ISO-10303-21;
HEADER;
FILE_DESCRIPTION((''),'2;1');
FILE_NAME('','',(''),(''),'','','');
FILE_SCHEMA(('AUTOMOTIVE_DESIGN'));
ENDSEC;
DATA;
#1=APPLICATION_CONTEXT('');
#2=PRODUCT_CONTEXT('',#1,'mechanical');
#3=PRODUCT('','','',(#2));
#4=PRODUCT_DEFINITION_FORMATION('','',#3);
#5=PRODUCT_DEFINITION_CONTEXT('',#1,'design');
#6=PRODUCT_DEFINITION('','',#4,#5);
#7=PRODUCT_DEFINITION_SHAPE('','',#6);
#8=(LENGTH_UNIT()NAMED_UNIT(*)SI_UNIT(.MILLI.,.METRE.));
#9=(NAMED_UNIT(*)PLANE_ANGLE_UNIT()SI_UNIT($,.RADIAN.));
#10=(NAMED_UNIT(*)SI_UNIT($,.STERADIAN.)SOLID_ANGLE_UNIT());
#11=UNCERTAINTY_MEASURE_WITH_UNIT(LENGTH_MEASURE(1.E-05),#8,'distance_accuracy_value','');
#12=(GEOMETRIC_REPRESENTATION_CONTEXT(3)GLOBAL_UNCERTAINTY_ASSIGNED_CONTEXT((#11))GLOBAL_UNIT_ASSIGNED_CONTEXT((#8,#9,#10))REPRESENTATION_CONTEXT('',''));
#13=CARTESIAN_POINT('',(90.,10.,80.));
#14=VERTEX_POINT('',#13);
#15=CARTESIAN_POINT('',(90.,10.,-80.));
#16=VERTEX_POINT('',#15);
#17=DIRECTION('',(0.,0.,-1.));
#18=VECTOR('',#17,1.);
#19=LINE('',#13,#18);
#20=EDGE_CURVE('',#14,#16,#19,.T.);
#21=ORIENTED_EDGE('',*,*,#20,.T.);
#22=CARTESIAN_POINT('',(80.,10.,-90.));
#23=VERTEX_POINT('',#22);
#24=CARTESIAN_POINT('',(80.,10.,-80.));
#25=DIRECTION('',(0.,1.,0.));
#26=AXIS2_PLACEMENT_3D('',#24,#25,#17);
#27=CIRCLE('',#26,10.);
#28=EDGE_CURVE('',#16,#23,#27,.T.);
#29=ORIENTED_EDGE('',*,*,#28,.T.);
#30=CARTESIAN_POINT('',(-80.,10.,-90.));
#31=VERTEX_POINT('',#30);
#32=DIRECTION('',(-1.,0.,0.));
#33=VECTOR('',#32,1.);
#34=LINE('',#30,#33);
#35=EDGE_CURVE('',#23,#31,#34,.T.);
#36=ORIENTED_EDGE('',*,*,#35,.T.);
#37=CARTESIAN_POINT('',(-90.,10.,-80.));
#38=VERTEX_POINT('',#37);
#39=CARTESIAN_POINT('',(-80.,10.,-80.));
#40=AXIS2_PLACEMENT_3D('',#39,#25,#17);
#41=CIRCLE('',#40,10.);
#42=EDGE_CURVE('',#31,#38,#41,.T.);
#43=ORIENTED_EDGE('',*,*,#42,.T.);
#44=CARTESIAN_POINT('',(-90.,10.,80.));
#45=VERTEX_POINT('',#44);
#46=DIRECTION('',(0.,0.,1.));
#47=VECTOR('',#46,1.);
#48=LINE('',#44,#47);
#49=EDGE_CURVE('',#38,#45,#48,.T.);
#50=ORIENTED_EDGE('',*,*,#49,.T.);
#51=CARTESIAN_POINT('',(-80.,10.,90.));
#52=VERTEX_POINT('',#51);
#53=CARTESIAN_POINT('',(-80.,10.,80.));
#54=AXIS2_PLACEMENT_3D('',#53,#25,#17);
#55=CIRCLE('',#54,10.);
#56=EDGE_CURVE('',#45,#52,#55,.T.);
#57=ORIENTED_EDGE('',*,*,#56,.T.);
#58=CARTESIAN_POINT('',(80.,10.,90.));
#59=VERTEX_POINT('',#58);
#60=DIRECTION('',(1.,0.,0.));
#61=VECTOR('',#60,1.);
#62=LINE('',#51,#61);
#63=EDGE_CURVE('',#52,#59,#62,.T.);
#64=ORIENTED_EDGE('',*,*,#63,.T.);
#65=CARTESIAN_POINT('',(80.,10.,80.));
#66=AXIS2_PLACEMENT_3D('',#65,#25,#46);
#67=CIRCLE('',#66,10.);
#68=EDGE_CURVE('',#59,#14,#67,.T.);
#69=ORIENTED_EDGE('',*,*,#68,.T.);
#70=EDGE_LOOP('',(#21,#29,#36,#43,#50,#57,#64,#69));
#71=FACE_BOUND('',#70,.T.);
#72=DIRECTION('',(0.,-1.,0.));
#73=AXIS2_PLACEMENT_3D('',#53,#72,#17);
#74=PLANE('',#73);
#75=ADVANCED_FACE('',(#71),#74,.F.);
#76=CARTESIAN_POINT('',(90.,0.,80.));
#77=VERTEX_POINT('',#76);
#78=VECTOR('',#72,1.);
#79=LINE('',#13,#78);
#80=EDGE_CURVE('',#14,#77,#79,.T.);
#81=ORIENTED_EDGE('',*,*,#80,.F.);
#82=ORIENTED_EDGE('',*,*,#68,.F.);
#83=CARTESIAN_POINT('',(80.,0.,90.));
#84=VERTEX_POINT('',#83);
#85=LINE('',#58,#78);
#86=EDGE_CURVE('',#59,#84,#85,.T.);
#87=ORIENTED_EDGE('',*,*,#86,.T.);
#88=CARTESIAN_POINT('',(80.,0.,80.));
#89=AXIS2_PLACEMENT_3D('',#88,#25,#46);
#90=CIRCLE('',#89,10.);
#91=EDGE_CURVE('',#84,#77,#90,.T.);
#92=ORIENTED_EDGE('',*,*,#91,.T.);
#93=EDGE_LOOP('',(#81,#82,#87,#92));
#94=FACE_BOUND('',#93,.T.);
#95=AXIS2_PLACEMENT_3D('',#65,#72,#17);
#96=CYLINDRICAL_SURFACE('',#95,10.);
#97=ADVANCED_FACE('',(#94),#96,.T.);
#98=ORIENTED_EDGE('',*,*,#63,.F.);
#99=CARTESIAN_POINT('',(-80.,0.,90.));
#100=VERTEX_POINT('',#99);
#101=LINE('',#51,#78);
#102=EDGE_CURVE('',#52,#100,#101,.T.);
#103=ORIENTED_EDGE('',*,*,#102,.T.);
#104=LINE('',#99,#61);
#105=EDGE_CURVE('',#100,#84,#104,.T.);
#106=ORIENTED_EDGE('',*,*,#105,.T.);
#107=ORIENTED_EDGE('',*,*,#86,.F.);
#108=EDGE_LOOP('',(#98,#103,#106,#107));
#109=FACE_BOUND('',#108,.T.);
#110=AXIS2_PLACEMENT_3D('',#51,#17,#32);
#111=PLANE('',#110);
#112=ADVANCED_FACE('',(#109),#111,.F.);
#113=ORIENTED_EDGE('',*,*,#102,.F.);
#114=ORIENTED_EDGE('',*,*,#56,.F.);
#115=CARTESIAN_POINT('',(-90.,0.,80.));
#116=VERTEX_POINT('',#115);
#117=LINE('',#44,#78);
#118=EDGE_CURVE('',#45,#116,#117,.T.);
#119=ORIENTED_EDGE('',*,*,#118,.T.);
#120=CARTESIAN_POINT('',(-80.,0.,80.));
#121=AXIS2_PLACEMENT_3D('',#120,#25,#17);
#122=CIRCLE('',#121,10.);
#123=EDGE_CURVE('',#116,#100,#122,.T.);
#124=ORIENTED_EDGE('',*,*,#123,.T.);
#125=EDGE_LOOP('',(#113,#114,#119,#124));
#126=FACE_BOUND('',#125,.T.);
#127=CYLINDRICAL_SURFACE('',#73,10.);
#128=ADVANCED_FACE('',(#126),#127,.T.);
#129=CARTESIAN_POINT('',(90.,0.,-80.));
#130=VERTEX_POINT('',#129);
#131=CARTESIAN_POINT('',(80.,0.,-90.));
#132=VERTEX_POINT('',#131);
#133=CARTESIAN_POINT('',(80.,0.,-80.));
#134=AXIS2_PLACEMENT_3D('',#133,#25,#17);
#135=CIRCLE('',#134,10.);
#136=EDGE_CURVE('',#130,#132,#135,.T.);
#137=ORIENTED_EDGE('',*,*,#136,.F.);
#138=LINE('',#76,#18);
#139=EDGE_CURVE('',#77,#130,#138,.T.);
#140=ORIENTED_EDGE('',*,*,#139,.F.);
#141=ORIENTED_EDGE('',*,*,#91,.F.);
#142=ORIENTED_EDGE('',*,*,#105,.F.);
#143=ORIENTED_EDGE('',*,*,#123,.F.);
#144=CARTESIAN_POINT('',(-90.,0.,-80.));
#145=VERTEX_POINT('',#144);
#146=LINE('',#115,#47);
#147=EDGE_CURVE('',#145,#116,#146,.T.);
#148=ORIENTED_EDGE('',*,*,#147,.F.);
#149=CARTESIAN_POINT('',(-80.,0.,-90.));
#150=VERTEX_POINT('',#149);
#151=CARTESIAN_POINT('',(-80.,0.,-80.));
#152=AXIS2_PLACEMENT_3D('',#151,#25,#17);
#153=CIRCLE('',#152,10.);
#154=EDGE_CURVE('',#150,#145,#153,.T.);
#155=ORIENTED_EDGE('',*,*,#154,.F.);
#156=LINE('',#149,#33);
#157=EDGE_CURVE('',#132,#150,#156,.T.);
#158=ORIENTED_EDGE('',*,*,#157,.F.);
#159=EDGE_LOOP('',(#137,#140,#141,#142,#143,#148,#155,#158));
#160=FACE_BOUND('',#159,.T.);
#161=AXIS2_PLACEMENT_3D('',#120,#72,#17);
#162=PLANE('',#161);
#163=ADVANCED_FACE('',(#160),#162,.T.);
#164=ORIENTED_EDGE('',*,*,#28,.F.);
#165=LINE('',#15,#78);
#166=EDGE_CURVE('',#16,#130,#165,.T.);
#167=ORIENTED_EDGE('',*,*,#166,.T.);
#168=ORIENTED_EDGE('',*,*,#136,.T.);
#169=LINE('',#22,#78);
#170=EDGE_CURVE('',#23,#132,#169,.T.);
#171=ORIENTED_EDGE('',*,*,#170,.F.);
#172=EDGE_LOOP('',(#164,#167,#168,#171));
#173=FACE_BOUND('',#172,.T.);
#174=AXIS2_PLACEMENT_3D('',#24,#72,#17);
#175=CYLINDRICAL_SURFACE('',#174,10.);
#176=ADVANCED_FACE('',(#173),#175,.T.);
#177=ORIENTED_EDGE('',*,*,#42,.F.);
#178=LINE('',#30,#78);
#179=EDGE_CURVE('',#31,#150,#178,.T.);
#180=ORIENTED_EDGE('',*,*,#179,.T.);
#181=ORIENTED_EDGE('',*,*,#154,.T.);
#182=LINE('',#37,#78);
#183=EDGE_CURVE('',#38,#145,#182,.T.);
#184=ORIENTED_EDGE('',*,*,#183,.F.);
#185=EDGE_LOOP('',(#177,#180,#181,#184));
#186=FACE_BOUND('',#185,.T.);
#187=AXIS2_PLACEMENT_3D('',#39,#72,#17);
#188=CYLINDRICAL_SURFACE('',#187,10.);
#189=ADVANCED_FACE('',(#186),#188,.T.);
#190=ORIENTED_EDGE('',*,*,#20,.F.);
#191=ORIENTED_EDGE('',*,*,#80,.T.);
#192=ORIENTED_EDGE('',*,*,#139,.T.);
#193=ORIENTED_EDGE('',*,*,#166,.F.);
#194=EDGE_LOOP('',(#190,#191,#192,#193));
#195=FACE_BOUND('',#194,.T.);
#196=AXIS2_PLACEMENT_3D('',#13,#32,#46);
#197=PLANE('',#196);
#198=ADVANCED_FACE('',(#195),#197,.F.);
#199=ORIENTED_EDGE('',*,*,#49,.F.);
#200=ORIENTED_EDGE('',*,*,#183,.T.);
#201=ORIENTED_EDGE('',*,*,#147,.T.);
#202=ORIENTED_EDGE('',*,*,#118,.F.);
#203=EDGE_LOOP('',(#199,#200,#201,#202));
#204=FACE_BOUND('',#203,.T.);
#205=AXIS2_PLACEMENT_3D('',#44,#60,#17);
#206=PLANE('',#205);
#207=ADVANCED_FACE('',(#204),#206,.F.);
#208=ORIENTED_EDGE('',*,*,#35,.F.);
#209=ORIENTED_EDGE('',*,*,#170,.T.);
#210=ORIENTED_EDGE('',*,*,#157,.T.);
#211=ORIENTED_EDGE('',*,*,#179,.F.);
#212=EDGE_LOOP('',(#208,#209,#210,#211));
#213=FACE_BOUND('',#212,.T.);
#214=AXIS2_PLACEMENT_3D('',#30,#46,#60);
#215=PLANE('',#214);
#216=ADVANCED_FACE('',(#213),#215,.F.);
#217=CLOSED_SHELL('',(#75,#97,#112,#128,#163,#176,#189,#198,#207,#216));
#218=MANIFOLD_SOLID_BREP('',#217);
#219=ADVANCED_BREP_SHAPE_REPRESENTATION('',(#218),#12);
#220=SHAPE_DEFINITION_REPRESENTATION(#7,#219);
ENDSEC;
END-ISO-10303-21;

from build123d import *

# Parameters (mm, degrees)
RESSALTO_EXTRUS_O1_DEPTH = 10


with BuildPart() as part:
    # Esboço1 → Ressalto-extrusão1 (new body)
    with BuildSketch(Plane(origin=(0, 0, 0), x_dir=(1, 0, 0), z_dir=(0, 1, 0))):
        with BuildLine():
            Line((-80, -90), (80, -90))
            ThreePointArc((80, -90), (87.071067812, -87.071067812), (90, -80))
            Line((90, -80), (90, 80))
            ThreePointArc((90, 80), (87.071067812, 87.071067812), (80, 90))
            Line((80, 90), (-80, 90))
            ThreePointArc((-80, 90), (-87.071067812, 87.071067812), (-90, 80))
            Line((-90, 80), (-90, -80))
            ThreePointArc((-90, -80), (-87.071067812, -87.071067812), (-80, -90))
        make_face()
    extrude(amount=RESSALTO_EXTRUS_O1_DEPTH)


solid = part.part
